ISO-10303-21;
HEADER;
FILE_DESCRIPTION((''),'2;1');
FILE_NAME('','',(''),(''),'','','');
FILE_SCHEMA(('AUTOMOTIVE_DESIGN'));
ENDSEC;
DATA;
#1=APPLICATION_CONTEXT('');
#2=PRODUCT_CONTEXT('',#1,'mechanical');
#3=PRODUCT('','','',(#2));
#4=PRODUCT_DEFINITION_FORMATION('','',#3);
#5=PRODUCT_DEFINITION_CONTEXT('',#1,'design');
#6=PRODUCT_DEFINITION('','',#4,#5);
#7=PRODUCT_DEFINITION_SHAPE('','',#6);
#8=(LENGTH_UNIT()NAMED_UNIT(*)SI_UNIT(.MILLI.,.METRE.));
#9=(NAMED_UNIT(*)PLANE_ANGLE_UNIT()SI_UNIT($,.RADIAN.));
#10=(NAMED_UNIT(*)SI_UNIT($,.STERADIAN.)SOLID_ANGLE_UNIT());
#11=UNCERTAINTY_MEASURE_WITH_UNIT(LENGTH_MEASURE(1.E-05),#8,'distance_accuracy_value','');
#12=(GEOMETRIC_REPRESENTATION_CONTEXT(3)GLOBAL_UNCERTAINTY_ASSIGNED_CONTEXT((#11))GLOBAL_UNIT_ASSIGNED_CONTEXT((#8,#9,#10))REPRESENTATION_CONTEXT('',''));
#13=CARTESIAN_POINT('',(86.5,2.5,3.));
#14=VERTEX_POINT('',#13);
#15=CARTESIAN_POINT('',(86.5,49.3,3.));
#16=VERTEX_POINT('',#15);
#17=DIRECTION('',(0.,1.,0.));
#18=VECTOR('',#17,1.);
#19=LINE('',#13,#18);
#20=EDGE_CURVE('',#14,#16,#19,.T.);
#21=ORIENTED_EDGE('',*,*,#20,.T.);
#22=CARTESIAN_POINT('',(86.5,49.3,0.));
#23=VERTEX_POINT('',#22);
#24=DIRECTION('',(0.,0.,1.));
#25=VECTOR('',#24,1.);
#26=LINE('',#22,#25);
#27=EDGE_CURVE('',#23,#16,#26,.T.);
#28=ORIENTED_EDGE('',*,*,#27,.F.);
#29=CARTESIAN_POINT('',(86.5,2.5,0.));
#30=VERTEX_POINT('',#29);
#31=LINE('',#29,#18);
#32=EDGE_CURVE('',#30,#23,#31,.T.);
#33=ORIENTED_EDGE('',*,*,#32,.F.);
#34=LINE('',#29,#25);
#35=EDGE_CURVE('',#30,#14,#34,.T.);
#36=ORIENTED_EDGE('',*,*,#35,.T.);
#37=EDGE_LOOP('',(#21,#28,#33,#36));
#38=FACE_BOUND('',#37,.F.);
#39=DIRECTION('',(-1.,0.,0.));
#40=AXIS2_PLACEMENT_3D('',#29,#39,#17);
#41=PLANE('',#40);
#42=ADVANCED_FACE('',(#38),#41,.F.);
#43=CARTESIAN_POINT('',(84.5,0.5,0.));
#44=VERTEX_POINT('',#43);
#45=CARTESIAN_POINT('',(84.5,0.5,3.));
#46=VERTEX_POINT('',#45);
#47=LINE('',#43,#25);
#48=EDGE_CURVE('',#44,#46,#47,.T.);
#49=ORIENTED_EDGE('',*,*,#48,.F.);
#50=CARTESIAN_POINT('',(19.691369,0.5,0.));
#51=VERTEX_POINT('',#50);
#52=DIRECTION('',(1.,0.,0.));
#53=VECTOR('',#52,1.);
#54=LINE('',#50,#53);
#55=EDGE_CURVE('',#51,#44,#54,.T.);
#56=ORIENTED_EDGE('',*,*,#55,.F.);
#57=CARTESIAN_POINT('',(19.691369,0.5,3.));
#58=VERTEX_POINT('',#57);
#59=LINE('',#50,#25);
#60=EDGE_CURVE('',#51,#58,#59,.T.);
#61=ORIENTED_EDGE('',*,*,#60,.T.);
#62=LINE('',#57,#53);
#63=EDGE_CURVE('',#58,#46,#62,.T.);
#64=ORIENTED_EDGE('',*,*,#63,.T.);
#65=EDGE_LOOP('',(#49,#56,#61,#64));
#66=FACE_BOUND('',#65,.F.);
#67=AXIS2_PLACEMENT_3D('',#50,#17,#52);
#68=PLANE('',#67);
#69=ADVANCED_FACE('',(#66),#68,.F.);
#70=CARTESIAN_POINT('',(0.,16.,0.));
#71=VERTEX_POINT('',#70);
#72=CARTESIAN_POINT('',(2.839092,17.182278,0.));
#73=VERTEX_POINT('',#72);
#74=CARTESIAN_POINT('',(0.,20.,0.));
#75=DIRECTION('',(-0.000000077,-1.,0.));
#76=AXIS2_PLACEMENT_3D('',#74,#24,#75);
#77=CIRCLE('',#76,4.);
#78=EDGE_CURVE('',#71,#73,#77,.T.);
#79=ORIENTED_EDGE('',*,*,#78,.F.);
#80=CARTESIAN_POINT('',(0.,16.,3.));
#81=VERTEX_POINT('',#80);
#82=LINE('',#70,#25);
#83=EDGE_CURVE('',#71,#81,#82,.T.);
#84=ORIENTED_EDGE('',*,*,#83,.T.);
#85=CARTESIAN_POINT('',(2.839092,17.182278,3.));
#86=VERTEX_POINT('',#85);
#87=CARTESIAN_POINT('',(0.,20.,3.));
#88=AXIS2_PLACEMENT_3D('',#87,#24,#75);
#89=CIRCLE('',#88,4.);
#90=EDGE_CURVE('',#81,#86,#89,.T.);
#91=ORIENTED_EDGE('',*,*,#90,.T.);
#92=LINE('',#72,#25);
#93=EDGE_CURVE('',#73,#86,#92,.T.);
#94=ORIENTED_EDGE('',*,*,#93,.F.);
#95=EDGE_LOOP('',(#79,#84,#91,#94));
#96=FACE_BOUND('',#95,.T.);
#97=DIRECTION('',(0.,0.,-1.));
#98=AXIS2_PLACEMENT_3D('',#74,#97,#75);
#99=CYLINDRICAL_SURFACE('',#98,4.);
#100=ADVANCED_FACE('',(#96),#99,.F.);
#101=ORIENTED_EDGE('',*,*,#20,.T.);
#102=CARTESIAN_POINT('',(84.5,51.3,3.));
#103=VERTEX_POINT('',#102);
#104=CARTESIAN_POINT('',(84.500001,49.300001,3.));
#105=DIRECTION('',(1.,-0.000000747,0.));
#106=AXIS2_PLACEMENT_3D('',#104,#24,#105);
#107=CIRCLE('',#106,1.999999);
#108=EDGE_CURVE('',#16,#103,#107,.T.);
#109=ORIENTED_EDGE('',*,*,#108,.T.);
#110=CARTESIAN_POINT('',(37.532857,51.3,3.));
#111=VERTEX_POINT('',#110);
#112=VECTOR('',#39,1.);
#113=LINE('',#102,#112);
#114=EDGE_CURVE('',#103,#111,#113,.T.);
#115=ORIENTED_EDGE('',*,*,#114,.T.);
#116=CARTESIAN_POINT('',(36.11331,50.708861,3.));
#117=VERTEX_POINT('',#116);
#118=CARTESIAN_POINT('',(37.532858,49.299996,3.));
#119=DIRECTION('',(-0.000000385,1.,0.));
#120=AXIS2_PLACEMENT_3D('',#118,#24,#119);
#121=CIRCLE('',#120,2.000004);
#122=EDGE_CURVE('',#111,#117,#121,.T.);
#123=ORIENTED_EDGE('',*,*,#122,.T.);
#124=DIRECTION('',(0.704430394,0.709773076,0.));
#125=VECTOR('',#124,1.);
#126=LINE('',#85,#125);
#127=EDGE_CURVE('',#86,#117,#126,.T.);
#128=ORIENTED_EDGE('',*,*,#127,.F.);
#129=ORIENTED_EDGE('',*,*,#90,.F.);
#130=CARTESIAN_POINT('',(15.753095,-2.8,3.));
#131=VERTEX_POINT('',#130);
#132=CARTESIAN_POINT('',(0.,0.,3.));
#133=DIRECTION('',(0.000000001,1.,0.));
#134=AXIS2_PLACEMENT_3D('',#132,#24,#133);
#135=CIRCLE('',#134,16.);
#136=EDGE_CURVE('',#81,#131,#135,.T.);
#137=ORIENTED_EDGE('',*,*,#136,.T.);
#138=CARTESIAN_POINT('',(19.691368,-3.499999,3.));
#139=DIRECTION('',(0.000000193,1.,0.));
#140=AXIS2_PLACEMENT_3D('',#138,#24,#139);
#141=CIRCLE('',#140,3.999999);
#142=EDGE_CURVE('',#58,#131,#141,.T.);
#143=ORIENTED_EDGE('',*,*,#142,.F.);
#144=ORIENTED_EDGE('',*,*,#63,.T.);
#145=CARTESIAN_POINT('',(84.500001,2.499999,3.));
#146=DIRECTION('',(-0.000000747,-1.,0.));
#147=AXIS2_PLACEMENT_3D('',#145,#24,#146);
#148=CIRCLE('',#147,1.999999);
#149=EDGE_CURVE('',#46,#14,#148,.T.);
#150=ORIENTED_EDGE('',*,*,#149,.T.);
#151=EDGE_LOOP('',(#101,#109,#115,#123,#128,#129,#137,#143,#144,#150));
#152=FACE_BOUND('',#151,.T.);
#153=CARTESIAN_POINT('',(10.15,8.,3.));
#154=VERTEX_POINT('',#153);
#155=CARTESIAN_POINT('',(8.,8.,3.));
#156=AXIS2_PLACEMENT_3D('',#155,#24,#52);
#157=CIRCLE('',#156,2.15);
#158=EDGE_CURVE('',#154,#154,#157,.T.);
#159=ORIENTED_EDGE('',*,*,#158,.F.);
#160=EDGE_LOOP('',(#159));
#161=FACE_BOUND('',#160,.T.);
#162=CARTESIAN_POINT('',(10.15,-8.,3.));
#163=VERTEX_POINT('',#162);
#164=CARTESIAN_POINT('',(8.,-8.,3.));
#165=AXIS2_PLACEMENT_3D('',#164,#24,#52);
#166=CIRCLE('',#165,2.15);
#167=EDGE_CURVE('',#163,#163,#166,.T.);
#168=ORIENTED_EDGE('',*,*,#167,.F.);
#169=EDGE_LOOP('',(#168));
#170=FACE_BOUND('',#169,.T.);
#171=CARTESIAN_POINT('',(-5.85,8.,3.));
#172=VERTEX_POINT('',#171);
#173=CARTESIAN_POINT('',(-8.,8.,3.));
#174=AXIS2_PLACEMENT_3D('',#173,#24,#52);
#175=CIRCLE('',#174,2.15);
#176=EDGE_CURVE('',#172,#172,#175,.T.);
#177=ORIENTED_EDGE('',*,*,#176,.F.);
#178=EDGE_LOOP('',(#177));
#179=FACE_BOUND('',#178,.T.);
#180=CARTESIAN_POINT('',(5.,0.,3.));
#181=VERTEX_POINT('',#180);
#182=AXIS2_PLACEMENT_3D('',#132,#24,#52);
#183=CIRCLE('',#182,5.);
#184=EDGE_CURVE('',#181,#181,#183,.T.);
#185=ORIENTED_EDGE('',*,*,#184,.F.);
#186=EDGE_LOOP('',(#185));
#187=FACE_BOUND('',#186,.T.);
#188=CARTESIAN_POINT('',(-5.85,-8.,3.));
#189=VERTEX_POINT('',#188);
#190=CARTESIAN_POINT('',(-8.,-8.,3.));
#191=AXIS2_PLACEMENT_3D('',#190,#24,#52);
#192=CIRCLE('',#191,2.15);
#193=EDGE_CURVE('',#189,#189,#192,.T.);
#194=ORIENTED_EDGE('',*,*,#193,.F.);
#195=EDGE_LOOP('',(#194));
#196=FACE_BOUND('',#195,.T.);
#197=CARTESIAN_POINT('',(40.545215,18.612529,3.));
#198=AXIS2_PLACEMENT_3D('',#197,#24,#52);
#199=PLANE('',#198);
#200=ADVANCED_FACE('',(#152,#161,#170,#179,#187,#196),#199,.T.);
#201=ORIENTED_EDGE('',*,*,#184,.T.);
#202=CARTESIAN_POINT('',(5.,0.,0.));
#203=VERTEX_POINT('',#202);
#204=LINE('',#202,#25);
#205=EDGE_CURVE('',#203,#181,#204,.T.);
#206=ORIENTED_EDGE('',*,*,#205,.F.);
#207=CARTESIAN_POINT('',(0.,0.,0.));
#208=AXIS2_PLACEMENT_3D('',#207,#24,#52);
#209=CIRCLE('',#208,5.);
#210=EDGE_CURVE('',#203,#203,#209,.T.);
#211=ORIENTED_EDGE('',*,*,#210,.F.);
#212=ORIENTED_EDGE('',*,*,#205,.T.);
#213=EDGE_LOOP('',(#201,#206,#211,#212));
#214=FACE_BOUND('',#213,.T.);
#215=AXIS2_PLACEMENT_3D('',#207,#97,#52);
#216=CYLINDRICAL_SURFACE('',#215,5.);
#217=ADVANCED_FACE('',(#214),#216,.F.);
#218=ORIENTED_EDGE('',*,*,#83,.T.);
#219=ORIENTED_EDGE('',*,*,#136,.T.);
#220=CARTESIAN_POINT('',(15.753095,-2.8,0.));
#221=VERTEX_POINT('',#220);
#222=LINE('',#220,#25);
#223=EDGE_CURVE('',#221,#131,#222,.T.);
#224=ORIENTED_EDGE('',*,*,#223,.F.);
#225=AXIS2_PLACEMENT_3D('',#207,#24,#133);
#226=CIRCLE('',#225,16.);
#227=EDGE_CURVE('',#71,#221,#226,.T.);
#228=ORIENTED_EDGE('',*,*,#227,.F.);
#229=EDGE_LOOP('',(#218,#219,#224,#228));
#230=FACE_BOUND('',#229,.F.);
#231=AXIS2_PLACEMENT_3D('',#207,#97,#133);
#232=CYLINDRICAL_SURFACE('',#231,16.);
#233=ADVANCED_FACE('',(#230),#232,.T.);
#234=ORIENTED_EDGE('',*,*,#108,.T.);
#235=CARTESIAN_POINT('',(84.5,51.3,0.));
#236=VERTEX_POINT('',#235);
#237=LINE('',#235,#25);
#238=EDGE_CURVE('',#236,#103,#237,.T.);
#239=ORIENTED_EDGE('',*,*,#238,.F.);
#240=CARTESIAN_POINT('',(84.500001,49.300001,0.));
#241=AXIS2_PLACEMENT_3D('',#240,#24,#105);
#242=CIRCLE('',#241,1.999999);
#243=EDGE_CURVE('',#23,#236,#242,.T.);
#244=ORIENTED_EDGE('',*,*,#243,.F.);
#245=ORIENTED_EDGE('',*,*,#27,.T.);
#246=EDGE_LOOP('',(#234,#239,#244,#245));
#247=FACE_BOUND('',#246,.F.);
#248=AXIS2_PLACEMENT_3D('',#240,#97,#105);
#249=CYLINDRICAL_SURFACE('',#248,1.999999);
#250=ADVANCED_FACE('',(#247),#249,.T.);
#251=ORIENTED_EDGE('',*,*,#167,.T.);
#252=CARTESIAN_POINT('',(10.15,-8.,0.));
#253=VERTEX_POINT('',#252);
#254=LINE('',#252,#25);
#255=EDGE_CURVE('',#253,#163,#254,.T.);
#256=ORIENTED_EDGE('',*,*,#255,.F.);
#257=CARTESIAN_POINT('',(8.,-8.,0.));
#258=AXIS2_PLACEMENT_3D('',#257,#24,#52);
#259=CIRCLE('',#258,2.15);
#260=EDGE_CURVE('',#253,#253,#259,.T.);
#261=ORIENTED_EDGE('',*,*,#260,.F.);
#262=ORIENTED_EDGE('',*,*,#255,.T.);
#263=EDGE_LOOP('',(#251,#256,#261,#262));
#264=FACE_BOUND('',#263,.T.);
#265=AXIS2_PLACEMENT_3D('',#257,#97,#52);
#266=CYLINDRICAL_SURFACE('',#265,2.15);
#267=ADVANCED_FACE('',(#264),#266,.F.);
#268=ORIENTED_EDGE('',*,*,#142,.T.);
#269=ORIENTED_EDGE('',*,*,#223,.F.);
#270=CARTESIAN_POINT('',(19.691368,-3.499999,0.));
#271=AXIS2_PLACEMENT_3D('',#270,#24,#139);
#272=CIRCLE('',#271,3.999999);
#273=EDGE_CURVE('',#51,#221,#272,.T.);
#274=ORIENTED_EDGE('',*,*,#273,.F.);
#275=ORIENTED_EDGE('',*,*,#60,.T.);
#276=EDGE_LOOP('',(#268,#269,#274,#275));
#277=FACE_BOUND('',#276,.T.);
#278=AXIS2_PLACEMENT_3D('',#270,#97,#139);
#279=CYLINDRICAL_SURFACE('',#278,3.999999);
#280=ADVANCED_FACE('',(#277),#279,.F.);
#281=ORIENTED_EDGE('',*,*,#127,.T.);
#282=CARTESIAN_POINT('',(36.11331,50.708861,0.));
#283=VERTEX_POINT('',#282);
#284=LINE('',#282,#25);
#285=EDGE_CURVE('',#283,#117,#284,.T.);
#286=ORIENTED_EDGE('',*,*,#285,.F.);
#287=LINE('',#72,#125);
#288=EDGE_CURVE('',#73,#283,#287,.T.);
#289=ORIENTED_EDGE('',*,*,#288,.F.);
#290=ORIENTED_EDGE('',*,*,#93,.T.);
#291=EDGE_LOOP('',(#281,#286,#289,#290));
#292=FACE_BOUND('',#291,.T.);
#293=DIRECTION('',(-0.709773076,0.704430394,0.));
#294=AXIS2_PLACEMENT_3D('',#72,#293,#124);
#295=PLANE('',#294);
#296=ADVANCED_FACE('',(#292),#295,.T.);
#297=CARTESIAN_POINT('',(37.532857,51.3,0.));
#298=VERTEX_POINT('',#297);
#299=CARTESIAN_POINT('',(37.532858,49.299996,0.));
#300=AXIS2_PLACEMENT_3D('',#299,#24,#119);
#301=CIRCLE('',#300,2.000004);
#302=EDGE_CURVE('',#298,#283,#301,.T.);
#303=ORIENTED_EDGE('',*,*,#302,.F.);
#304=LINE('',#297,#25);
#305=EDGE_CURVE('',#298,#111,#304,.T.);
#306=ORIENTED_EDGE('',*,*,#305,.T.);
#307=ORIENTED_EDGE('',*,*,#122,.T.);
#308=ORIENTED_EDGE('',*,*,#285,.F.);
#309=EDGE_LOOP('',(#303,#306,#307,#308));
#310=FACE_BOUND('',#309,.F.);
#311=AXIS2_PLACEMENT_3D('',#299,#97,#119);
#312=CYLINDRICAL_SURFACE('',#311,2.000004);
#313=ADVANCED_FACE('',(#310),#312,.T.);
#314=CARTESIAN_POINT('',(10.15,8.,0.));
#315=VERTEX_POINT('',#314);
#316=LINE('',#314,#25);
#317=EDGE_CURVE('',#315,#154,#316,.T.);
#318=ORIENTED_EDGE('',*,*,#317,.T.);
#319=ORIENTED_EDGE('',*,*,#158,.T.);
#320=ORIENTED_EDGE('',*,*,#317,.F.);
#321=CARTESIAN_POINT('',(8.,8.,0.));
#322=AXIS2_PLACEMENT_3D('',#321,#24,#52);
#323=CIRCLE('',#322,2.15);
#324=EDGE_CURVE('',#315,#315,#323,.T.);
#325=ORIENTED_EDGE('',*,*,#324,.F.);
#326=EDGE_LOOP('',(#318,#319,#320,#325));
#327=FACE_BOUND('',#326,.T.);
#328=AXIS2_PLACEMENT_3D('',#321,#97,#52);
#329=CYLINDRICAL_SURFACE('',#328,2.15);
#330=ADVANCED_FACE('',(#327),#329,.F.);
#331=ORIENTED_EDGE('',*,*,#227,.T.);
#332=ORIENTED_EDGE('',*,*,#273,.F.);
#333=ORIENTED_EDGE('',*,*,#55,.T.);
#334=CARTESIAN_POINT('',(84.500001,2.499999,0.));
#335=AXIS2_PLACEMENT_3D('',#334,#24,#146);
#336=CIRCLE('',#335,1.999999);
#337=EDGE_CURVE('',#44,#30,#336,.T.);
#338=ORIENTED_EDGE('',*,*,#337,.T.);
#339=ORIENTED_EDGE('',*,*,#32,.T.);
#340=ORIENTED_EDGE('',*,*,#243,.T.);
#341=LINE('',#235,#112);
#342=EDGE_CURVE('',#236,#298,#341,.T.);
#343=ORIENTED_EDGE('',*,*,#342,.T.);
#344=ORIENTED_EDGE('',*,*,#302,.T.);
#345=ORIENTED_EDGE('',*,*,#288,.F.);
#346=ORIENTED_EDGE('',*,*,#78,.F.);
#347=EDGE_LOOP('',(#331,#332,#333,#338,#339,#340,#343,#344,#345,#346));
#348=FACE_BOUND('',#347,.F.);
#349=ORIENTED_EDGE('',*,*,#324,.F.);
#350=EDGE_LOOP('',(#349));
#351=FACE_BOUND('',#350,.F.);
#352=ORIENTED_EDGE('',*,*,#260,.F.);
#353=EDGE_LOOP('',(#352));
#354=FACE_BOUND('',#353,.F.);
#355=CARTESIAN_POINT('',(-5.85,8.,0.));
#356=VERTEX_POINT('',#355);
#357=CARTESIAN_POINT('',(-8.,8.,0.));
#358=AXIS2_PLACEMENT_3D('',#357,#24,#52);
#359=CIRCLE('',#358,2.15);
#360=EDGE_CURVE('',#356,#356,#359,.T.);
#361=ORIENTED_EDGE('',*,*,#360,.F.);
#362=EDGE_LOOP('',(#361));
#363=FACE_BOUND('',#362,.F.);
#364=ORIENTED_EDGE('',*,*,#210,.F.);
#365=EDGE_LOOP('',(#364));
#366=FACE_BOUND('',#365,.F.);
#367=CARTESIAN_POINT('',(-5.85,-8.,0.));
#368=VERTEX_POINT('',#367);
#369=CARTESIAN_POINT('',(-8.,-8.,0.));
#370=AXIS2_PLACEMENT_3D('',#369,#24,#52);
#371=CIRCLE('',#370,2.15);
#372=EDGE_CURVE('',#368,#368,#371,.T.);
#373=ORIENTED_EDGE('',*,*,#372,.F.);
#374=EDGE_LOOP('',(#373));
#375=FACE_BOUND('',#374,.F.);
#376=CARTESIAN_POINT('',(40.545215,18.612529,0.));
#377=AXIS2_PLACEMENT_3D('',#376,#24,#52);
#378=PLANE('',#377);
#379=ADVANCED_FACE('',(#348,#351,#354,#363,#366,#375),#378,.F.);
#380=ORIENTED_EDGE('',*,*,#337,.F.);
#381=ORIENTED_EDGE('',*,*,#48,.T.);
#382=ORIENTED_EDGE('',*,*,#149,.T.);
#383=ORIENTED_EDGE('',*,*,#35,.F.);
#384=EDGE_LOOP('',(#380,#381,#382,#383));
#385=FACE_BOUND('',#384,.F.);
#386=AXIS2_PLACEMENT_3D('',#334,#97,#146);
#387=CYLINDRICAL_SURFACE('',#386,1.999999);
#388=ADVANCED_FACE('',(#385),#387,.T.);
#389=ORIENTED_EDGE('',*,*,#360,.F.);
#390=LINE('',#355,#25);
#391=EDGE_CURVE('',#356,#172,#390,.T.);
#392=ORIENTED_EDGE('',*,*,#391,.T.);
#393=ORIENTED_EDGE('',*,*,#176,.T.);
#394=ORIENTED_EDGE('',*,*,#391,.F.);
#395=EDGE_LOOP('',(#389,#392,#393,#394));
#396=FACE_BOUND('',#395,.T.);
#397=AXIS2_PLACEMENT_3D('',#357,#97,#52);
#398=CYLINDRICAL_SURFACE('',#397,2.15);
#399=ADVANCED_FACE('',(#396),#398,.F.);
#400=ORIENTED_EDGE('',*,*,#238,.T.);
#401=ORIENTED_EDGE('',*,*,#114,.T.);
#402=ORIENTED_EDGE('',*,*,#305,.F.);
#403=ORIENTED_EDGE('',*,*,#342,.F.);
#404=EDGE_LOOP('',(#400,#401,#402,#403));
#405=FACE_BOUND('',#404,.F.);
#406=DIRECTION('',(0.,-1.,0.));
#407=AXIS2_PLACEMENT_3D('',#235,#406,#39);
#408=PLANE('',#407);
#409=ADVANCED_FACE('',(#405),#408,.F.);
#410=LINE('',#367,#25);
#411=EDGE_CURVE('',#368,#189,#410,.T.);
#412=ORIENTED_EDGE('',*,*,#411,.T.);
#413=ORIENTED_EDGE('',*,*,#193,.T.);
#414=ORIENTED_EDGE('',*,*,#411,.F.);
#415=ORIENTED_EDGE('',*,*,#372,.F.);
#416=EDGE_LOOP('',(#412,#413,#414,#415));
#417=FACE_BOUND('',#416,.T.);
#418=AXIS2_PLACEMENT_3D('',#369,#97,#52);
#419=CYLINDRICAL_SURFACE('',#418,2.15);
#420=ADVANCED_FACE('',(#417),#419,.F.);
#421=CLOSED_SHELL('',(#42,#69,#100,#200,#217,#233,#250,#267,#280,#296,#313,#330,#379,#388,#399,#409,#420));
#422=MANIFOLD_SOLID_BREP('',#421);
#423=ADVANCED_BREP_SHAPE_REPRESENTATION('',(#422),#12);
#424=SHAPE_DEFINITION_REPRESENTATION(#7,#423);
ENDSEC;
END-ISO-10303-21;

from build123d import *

# Parameters (mm, degrees)
SKETCH_R   = 2.15
SKETCH_R_2 = 5
PAD_DEPTH  = 3


with BuildPart() as part:
    # Sketch → Pad (new body)
    with BuildSketch(Plane.XY):
        with BuildLine():
            Line((36.7, 0.5), (84.5, 0.5))
            ThreePointArc((84.5, 0.5), (85.914214, 1.085786), (86.5, 2.5))
            Line((86.5, 2.5), (86.5, 49.3))
            ThreePointArc((86.5, 49.3), (85.914214, 50.714214), (84.5, 51.3))
            Line((84.5, 51.3), (37.532857, 51.3))
            ThreePointArc((37.532857, 51.3), (36.764001, 51.14631), (36.11331, 50.708861))
            Line((2.839092, 17.182278), (36.11331, 50.708861))
            ThreePointArc((0, 16), (1.537712, 16.30738), (2.839092, 17.182278))
            ThreePointArc((0, 16), (-12.263768, -10.276186), (15.753095, -2.8))
            ThreePointArc((19.691369, 0.5), (17.122322, -0.434058), (15.753095, -2.8))
            Line((36.7, 0.5), (19.691369, 0.5))
        make_face()
        with Locations((-8, 8)):
            Circle(SKETCH_R, mode=Mode.SUBTRACT)
        with Locations((8, 8)):
            Circle(SKETCH_R, mode=Mode.SUBTRACT)
        with Locations((-8, -8)):
            Circle(SKETCH_R, mode=Mode.SUBTRACT)
        with Locations((8, -8)):
            Circle(SKETCH_R, mode=Mode.SUBTRACT)
        Circle(SKETCH_R_2, mode=Mode.SUBTRACT)
    extrude(amount=PAD_DEPTH)


solid = part.part
